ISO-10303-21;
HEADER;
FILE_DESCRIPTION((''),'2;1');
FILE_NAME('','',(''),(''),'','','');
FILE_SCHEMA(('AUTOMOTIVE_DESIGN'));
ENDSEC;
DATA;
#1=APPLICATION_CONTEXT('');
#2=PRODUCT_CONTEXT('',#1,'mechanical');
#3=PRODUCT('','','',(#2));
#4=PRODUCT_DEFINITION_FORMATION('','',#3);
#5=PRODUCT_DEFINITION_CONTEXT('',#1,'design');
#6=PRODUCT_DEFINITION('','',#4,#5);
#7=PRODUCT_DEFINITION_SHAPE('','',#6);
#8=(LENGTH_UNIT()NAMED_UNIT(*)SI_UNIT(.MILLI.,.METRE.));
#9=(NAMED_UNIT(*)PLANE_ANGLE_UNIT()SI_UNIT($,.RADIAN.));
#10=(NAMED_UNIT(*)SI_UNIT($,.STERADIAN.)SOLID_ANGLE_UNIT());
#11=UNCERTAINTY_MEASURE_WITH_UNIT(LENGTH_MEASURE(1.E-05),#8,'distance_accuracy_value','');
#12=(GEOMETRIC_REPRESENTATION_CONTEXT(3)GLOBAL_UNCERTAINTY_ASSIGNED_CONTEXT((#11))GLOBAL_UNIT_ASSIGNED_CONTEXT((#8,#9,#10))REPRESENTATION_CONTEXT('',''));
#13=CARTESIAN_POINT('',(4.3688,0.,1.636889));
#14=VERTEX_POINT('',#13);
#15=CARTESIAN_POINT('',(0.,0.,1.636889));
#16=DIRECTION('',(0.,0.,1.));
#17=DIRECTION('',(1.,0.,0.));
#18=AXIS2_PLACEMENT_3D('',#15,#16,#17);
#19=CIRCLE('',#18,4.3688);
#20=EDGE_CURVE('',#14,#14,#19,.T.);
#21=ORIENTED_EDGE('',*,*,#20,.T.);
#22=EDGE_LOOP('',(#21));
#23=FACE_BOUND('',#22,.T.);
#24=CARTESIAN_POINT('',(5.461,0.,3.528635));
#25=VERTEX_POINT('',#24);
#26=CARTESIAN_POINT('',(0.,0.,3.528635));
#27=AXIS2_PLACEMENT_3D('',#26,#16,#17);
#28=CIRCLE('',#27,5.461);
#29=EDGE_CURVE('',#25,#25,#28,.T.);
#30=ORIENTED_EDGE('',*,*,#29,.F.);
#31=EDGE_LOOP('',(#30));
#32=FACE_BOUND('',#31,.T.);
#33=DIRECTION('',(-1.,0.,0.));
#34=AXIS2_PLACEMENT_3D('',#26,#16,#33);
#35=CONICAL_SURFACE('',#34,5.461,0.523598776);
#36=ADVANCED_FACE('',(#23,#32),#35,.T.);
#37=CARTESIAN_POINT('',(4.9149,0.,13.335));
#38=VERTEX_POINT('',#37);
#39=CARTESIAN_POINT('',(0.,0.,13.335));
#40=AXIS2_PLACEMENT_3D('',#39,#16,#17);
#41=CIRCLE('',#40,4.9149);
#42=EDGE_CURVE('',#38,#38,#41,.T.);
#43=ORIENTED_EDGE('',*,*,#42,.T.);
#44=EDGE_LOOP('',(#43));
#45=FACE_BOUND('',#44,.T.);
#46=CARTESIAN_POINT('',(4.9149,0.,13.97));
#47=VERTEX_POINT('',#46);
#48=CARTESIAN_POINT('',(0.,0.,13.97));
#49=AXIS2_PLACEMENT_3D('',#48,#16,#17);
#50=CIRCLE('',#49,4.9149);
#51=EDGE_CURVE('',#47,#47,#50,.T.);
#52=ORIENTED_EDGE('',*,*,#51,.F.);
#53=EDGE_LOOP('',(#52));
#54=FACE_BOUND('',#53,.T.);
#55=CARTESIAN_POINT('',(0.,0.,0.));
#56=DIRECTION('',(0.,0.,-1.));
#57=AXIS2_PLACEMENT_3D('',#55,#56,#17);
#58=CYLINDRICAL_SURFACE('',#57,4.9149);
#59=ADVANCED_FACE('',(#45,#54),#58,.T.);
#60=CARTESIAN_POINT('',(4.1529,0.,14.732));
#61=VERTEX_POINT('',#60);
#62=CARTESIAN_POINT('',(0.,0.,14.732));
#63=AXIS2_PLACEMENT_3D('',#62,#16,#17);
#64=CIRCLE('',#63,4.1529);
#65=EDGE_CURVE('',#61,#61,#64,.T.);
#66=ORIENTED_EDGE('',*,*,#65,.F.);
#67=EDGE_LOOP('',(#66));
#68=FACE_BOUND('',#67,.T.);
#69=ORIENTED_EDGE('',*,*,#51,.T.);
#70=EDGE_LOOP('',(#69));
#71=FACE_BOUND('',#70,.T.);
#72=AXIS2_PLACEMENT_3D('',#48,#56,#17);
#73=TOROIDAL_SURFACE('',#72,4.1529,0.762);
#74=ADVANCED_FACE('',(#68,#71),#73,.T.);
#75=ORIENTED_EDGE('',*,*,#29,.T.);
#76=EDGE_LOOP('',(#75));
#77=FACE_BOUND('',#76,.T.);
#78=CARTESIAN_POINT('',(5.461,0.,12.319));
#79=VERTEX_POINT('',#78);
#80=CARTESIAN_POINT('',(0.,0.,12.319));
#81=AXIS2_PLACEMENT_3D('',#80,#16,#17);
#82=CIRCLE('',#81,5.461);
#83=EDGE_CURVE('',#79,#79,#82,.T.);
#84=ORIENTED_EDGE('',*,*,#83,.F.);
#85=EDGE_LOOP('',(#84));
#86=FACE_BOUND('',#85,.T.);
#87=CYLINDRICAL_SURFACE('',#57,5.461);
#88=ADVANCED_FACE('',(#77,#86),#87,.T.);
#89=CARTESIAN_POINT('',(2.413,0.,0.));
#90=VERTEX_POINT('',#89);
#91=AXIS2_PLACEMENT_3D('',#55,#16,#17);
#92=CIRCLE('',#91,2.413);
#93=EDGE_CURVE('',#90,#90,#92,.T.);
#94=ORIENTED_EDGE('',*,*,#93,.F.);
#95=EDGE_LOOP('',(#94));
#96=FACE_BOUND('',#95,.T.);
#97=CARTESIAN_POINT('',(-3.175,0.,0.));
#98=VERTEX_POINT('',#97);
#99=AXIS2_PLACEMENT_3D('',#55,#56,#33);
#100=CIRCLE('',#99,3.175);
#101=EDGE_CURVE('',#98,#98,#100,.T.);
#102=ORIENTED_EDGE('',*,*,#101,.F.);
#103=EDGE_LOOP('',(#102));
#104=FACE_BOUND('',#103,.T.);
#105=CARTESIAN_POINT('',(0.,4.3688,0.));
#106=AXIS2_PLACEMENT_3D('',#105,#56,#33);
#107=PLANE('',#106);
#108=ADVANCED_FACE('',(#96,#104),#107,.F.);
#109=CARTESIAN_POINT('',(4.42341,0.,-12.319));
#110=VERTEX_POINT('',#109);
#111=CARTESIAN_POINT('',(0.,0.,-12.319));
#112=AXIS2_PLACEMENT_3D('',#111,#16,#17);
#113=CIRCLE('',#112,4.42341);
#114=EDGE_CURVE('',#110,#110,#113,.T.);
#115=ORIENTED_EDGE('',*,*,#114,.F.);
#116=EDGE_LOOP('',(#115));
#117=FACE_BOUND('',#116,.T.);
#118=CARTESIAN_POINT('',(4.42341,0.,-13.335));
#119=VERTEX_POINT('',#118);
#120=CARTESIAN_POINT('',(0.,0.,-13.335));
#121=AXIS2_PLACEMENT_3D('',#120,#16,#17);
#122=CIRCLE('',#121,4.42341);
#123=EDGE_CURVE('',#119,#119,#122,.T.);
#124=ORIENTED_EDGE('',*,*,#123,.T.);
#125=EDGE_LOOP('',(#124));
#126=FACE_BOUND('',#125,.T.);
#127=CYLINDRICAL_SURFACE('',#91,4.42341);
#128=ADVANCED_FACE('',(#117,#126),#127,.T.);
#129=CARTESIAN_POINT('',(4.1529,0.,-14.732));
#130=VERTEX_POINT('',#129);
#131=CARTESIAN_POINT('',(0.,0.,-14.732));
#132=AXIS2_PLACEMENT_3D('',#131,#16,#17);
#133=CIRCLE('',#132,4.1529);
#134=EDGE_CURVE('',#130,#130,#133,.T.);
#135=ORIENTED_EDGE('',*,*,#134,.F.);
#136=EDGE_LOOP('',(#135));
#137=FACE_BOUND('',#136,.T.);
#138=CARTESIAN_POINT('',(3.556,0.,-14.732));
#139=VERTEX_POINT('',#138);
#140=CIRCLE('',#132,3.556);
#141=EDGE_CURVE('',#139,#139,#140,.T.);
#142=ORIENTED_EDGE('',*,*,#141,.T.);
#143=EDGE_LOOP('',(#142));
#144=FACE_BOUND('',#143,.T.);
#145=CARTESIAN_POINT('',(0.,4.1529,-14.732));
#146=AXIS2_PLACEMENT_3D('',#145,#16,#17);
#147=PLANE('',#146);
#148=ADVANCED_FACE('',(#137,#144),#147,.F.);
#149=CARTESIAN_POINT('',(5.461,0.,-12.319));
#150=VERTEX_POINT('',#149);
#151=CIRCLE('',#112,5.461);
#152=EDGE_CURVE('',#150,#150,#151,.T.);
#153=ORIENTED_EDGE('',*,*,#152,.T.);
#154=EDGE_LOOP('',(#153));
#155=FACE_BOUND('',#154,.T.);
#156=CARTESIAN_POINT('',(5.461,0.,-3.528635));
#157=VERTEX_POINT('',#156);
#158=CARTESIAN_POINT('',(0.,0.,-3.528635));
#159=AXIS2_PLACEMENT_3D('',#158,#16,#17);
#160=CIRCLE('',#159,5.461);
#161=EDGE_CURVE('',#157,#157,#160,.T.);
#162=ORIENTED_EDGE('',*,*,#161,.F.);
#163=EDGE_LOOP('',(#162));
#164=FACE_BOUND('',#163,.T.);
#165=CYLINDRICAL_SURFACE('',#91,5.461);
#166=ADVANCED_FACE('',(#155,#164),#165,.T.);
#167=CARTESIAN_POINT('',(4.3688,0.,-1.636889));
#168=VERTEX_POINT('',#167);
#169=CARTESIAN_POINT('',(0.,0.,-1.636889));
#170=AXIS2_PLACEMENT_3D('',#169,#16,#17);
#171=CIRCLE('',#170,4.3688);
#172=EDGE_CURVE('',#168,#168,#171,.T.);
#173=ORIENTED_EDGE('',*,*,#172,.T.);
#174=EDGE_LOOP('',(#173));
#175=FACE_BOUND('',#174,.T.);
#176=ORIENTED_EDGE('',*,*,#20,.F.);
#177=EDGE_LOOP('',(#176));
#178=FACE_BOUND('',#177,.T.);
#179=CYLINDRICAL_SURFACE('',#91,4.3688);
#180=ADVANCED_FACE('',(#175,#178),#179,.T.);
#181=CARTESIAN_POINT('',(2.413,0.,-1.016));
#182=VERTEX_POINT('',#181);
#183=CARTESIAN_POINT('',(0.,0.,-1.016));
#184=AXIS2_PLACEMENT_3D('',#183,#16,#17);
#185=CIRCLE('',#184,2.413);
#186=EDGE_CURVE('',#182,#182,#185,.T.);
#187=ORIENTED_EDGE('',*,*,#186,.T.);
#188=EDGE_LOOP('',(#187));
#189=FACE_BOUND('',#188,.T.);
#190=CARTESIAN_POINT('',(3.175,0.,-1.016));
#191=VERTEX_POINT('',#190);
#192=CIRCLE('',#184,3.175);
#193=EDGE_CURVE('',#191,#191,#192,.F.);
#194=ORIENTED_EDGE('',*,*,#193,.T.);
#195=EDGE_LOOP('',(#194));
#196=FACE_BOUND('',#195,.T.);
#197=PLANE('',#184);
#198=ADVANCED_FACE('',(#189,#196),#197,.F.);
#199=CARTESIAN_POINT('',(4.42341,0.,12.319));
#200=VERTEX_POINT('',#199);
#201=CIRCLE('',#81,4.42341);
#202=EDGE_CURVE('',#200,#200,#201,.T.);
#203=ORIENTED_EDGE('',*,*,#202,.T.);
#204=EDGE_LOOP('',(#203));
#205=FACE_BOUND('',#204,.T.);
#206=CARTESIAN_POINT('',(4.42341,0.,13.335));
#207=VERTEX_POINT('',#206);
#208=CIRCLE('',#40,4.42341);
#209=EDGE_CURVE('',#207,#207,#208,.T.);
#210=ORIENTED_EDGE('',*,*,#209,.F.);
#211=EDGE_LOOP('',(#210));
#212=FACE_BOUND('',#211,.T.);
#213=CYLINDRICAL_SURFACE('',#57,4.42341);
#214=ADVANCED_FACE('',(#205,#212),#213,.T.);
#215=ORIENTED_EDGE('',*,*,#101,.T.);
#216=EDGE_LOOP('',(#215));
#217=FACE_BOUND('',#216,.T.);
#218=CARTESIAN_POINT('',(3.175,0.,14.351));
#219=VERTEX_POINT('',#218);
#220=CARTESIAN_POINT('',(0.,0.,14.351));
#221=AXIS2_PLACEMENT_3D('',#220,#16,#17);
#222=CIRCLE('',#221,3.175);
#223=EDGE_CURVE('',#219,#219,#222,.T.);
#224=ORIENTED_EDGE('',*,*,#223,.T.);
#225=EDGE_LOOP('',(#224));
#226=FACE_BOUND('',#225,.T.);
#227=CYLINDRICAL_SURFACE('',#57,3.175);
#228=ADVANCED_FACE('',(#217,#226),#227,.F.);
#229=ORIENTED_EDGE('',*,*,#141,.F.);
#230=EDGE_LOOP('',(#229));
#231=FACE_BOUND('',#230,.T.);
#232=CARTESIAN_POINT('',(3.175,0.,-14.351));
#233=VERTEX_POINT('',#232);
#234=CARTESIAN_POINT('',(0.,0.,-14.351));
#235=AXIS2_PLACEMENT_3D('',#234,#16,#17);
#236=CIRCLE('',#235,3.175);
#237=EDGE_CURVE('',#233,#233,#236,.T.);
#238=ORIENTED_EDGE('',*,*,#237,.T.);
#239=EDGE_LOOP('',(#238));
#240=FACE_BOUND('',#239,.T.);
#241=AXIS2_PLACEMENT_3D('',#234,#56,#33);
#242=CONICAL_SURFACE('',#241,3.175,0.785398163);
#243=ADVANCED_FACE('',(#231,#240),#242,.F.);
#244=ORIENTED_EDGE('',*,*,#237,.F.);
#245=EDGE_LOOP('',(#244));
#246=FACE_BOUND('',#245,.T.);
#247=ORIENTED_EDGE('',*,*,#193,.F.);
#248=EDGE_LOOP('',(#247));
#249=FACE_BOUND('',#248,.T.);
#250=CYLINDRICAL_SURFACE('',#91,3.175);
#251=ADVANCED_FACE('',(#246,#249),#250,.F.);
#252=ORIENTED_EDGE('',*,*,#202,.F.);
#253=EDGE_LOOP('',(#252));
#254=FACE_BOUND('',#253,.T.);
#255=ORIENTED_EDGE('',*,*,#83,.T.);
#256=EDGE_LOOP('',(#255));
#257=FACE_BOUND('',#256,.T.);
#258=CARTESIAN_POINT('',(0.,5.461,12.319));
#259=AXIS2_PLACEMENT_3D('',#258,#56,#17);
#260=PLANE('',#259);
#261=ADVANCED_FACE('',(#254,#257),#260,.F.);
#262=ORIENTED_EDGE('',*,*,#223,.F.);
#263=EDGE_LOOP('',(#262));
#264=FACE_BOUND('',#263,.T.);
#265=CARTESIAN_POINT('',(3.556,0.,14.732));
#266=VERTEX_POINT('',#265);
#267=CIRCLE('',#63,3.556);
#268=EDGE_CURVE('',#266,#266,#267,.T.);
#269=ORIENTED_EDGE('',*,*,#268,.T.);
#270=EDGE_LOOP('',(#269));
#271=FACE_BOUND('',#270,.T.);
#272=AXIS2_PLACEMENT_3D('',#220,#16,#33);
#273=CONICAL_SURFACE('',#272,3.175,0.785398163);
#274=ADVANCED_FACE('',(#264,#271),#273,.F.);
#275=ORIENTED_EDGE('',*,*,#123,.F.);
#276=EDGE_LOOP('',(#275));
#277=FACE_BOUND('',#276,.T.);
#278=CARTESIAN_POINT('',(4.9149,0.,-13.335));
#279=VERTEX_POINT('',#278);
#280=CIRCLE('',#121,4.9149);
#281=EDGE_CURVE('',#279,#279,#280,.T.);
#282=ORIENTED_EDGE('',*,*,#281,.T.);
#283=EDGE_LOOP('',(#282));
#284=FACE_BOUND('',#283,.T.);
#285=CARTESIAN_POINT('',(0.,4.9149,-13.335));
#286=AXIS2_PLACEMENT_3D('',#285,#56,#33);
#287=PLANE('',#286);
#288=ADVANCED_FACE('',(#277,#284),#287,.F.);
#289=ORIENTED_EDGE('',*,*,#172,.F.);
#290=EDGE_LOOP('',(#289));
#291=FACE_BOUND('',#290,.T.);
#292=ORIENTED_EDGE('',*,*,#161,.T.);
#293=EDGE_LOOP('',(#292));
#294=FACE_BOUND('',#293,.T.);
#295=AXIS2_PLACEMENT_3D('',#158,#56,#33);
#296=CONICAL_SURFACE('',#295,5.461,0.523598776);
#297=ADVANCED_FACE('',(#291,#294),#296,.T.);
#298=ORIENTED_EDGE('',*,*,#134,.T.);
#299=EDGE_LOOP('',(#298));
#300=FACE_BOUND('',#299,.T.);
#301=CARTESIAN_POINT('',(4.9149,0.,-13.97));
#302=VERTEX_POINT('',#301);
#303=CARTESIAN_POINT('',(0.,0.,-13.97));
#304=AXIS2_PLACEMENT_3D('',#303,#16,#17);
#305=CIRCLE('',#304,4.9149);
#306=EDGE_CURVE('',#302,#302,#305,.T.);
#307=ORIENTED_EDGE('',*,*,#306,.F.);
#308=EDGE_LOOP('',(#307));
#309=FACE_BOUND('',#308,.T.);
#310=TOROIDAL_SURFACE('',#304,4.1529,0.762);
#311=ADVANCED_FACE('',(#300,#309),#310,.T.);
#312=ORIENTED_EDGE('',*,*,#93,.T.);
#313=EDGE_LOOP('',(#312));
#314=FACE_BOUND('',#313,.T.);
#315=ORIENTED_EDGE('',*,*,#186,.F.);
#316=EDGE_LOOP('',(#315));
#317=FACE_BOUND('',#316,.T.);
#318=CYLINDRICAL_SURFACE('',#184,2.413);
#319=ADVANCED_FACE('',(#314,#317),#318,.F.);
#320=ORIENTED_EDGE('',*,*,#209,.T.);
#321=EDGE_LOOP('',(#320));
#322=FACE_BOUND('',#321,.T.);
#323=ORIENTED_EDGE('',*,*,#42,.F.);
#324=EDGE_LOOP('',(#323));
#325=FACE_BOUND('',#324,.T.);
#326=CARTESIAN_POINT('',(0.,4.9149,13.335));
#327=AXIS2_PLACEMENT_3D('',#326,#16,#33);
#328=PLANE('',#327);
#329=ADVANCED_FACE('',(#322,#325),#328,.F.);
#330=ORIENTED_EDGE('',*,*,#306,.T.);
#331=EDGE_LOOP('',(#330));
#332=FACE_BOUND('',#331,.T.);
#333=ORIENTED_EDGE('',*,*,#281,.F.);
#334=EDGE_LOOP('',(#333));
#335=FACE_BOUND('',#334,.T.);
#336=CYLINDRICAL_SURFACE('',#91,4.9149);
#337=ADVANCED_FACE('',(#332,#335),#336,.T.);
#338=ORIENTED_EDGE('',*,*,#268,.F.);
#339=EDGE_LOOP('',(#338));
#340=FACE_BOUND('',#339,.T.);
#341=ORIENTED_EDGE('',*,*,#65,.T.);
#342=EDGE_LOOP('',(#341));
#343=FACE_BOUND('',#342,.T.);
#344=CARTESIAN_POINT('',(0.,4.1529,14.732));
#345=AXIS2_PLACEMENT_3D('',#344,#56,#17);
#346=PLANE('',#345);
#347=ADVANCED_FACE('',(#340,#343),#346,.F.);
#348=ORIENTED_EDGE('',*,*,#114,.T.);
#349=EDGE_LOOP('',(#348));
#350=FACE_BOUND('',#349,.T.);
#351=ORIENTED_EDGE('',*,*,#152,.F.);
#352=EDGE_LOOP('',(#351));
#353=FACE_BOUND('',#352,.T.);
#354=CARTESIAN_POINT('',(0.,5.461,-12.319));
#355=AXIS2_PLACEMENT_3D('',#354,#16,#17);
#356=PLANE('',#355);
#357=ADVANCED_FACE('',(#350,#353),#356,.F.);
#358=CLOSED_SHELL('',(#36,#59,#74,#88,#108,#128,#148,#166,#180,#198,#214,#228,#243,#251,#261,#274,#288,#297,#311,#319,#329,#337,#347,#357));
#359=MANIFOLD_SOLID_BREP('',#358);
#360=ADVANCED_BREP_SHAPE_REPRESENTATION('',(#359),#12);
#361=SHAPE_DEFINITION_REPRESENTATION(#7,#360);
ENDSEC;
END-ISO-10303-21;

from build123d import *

# Parameters (mm, degrees)
SKETCH9_R      = 3.175
SKETCH9_R_2    = 2.413
EXTRUDE1_DEPTH = 1.016


with BuildPart() as part:
    # Sketch8 → Revolve1 (revolve)
    with BuildSketch(Plane(origin=(0, 0, 0), x_dir=(0, 0, -1), z_dir=(1, 0, 0)), mode=Mode.PRIVATE) as revolve1_sk:
        with BuildLine():
            Line((13.335, 4.9149), (13.97, 4.9149))
            ThreePointArc((13.97, 4.9149), (14.508815367, 4.691715367), (14.732, 4.1529))
            Line((14.732, 4.1529), (14.732, 3.556))
            Line((14.732, 3.556), (14.351, 3.175))
            Line((14.351, 3.175), (0, 3.175))
            Line((0, 3.175), (0, 4.3688))
            Line((0, 4.3688), (1.636888889, 4.3688))
            Line((1.636888889, 4.3688), (3.528634781, 5.461))
            Line((3.528634781, 5.461), (12.319, 5.461))
            Line((12.319, 5.461), (12.319, 4.42341))
            Line((12.319, 4.42341), (13.335, 4.42341))
            Line((13.335, 4.42341), (13.335, 4.9149))
        make_face()
    revolve1 = revolve(revolve1_sk.sketch.rotate(Axis((0, 0, 0), (0, 0, -1)), 90), axis=Axis((0, 0, 0), (0, 0, -1)))  # turned: the seam where the file's is

    # Sketch9 → Extrude1 (add)
    with BuildSketch(Plane.XY):
        Circle(SKETCH9_R)
        Circle(SKETCH9_R_2, mode=Mode.SUBTRACT)
    extrude(amount=-EXTRUDE1_DEPTH)

    # Mirror1: Revolve1 across plane
    add(revolve1.mirror(Plane.XY))


solid = part.part
